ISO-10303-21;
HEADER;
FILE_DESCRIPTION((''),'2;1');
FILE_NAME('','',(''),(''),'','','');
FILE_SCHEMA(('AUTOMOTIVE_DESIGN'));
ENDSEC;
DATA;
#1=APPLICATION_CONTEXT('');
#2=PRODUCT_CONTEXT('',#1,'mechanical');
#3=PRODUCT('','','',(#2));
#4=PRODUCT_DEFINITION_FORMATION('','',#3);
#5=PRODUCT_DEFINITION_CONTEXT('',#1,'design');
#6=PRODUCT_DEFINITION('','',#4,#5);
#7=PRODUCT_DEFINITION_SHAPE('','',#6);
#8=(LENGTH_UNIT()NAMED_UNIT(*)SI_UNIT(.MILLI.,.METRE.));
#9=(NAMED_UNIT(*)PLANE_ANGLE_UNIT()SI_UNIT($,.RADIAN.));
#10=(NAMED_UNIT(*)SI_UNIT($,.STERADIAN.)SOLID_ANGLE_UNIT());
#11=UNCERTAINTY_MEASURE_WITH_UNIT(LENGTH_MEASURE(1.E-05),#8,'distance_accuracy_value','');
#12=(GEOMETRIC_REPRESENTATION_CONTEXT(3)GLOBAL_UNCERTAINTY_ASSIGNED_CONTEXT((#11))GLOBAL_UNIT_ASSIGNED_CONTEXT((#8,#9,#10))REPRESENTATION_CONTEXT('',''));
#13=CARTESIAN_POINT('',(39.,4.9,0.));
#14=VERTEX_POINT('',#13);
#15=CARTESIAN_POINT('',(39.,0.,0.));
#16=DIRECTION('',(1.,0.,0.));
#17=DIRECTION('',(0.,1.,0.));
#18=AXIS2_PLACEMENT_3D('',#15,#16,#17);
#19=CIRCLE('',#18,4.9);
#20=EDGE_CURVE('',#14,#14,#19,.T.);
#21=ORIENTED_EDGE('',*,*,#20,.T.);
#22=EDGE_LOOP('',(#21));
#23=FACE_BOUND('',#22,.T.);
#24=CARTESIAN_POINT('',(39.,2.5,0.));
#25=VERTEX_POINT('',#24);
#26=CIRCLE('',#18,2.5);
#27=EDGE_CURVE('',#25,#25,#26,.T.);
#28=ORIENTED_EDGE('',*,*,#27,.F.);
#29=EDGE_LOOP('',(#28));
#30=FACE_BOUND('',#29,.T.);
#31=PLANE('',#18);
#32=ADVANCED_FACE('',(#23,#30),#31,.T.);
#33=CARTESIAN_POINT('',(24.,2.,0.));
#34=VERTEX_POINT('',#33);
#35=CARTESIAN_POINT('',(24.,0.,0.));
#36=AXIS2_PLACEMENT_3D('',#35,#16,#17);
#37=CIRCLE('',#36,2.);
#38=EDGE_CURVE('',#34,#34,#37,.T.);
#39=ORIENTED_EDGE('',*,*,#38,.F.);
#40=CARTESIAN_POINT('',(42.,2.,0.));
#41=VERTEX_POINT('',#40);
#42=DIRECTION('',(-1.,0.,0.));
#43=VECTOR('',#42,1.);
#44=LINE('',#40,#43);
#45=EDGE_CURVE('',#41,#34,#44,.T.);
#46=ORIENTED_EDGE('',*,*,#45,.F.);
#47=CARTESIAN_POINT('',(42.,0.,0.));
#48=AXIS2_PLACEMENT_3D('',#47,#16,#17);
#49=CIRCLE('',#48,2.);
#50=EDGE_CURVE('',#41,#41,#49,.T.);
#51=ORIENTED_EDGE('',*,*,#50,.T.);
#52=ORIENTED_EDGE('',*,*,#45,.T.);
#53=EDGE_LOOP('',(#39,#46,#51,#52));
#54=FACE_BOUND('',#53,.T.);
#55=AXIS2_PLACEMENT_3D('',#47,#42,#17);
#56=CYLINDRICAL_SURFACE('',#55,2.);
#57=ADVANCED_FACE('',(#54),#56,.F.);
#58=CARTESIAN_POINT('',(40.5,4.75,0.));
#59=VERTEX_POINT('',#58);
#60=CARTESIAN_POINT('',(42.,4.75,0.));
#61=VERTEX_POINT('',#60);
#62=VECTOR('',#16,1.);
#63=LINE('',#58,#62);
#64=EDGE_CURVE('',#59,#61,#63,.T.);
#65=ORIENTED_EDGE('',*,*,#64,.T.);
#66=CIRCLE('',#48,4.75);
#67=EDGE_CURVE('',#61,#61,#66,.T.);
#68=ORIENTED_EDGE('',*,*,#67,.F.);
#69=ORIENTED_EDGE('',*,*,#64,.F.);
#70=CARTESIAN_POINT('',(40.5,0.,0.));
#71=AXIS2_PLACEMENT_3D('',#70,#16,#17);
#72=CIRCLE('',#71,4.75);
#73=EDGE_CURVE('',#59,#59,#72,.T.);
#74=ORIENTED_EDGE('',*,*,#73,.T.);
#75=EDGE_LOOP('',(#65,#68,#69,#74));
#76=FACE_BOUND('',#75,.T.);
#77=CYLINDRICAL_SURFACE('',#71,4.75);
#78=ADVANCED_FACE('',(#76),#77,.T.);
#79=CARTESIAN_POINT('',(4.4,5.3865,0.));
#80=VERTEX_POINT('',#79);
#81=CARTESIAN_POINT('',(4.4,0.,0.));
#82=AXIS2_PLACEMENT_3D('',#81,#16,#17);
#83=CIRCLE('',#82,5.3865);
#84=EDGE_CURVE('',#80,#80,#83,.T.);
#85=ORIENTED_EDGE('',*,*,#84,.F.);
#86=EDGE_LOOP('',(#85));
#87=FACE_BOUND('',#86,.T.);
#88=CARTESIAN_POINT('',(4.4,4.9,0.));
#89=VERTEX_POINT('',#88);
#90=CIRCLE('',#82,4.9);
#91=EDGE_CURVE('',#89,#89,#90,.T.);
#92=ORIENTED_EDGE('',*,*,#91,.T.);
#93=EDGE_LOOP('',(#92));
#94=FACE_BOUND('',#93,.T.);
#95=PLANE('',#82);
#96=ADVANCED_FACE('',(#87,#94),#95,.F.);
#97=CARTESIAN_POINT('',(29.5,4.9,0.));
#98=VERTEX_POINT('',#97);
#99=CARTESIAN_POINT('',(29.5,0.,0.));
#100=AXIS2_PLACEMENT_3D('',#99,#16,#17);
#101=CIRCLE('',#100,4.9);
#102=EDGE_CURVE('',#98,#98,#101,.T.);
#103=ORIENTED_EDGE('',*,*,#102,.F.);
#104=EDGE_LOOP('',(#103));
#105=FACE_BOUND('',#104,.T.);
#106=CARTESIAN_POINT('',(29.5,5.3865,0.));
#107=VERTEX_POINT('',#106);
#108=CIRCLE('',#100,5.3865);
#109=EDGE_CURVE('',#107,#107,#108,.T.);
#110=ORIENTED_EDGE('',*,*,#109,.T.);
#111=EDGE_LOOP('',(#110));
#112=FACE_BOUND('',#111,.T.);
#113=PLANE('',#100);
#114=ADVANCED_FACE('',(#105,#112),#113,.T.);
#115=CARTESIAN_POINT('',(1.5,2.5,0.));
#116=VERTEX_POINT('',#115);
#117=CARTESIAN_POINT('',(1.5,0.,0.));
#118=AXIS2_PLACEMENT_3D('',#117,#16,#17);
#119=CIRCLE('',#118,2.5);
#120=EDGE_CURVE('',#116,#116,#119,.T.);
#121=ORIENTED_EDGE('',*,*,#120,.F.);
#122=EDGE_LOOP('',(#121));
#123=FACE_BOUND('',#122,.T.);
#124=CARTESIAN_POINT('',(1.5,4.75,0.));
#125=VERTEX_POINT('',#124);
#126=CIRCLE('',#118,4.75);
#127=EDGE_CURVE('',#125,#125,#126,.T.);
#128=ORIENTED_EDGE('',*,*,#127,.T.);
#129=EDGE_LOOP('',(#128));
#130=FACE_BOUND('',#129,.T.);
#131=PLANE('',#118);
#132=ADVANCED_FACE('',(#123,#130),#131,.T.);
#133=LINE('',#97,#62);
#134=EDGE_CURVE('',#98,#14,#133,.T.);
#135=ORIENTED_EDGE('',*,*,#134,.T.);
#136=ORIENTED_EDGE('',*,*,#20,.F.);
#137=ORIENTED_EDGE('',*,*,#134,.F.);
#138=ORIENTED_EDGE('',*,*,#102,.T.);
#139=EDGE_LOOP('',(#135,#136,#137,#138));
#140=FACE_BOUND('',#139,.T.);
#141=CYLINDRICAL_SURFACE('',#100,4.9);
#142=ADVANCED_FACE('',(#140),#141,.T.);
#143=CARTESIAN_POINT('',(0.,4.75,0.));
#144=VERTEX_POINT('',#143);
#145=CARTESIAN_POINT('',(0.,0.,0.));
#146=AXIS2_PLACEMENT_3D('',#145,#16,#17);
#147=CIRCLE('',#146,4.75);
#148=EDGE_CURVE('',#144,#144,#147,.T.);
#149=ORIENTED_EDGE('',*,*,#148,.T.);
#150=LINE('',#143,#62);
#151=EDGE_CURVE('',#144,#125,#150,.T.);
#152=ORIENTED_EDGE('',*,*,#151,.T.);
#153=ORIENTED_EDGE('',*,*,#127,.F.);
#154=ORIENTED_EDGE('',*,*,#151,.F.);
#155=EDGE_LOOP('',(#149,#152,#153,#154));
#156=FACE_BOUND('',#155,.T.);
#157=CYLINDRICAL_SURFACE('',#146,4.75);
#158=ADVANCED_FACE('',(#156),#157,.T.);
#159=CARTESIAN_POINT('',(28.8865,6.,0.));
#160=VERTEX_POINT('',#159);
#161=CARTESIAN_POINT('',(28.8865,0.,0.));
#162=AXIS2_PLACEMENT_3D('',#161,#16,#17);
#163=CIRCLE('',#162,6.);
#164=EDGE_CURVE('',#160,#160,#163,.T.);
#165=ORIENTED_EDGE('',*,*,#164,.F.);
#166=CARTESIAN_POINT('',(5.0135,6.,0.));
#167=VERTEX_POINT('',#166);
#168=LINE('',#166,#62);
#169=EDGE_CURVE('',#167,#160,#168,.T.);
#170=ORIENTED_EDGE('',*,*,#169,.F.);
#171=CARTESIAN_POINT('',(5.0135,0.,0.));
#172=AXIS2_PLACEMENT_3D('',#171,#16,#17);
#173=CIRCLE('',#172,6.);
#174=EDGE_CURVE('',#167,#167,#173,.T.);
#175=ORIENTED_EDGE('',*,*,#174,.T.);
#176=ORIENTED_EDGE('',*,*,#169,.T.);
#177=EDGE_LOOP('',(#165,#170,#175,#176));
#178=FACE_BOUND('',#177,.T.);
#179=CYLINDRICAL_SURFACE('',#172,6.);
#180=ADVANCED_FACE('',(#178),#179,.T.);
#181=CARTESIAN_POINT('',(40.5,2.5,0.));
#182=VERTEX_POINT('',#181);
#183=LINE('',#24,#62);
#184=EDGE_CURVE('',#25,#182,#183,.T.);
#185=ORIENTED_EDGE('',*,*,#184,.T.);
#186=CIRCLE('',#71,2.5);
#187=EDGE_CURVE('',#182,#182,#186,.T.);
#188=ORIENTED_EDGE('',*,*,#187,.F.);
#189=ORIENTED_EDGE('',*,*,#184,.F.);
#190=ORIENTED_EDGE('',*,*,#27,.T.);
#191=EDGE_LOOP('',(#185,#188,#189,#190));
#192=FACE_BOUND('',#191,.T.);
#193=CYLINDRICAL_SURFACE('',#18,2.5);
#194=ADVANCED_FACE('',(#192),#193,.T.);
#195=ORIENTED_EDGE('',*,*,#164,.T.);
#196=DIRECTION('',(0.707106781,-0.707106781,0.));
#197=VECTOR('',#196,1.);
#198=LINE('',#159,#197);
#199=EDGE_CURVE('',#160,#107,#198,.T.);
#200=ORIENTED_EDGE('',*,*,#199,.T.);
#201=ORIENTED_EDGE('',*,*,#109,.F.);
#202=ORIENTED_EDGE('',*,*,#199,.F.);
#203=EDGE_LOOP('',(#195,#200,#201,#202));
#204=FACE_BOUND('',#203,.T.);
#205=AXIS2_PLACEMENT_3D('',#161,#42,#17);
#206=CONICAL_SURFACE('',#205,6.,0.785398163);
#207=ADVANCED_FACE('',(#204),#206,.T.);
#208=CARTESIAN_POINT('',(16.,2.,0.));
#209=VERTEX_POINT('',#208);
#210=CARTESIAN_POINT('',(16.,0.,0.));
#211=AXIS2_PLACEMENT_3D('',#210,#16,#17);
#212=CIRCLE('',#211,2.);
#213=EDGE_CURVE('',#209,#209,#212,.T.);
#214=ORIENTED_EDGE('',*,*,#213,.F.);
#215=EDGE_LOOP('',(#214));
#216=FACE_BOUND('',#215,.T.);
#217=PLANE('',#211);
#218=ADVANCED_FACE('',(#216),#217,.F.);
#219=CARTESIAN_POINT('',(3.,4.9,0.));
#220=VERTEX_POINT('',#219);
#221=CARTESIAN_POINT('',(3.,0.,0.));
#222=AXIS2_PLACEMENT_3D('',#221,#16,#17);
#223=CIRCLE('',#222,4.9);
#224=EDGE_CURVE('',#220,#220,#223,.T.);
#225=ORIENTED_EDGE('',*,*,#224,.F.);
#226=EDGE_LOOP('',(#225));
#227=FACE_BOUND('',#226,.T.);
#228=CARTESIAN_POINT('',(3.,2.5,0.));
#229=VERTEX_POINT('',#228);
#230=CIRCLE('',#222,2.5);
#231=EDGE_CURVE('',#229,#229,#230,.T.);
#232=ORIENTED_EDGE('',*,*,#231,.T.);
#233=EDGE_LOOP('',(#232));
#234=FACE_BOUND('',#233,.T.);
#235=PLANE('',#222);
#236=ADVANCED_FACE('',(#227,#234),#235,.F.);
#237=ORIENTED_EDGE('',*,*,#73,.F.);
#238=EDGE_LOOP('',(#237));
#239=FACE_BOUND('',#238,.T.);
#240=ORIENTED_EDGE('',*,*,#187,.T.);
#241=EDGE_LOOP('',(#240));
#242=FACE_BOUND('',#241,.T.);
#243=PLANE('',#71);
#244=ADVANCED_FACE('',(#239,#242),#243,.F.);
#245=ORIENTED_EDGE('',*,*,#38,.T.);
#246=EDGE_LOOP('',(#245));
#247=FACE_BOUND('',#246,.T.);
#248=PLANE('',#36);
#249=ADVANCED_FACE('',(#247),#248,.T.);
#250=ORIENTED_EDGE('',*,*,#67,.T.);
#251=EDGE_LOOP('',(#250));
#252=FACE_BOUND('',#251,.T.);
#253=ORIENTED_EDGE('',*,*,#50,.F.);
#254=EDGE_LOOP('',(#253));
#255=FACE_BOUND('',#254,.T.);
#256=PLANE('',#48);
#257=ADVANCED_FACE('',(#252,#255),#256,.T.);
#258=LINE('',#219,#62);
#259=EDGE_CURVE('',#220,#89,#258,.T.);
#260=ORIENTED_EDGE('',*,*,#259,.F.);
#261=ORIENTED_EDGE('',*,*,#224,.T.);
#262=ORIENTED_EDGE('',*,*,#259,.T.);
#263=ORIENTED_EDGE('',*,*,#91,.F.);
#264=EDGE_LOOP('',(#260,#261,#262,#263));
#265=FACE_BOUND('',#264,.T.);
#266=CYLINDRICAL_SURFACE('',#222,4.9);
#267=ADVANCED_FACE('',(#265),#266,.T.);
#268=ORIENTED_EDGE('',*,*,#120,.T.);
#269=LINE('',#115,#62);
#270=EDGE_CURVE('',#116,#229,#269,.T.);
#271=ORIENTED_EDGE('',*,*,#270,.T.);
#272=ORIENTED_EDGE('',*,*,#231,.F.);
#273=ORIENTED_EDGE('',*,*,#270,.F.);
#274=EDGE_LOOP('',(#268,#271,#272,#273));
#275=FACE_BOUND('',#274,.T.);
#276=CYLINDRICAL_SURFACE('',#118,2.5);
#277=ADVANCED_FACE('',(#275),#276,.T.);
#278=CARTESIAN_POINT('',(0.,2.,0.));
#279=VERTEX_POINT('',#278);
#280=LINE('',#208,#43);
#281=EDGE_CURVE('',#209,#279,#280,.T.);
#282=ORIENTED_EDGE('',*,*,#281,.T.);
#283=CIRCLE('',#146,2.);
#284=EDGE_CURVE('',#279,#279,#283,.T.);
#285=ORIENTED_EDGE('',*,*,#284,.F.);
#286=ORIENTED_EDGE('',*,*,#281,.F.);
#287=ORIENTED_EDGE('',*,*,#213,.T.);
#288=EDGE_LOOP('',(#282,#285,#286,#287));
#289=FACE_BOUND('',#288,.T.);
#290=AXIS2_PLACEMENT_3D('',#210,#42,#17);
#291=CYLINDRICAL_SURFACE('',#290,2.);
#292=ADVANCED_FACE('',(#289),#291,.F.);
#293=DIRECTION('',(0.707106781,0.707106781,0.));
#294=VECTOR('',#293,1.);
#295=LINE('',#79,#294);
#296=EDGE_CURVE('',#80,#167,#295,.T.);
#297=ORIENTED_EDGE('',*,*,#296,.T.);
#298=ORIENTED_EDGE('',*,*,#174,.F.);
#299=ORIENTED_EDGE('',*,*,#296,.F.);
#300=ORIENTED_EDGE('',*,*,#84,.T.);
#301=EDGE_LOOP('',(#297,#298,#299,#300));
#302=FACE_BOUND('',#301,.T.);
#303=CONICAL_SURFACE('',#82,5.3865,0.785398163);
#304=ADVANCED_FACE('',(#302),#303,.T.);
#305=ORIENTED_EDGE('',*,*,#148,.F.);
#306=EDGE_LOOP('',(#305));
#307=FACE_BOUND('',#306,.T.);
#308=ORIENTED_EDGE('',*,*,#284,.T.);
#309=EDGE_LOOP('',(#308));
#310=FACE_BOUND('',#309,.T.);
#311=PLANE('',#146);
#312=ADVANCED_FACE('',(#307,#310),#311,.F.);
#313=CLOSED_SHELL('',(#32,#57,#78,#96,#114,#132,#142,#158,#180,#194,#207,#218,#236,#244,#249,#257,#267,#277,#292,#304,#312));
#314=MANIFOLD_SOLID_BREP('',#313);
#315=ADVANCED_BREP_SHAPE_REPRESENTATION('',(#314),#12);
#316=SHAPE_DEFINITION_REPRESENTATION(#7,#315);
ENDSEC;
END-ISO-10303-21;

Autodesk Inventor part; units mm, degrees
sketch "Sketch_1" plane through (0, 0, 0) normal (0, 0, 1) x (1, 0, 0)
  line L0 (42, 0) -> (0, 0)
  line L1 (16, 0) -> (16, 2)
  line L2 (16, 2) -> (0, 2)
  line L3 (0, 2) -> (0, 4.75)
  line L4 (0, 4.75) -> (1.5, 4.75)
  line L5 (1.5, 4.75) -> (1.5, 2.5)
  line L6 (1.5, 2.5) -> (3, 2.5)
  line L7 (3, 2.5) -> (3, 4.9)
  line L8 (3, 4.9) -> (4.4, 4.9)
  line L9 (4.4, 4.9) -> (4.4, 5.3865)
  line L10 (4.4, 5.3865) -> (5.0135, 6)
  line L11 (5.0135, 6) -> (28.8865, 6)
  line L12 (28.8865, 6) -> (29.5, 5.3865)
  line L13 (29.5, 5.3865) -> (29.5, 4.9)
  line L14 (29.5, 4.9) -> (39, 4.9)
  line L15 (39, 4.9) -> (39, 2.5)
  line L16 (39, 2.5) -> (40.5, 2.5)
  line L17 (40.5, 2.5) -> (40.5, 4.75)
  line L18 (40.5, 4.75) -> (42, 4.75)
  line L19 (42, 4.75) -> (42, 2)
  line L20 (42, 2) -> (24, 2)
  line L21 (24, 2) -> (24, 0)
  line L22 (24, 0) -> (16, 0)
revolve "Revolution1" add sketch "Sketch_1" angle 360 about axis through (42, 0, 0) along (1, 0, 0)
thread "Thread1" size "M12x1" class "6g" standard "ISO Metric profile" full length
ref_plane "IP1_XY" through (0, 0, 0) normal (1, 0, 0) x (0, 0, -1)
ref_plane "IP1_YZ" through (0, 0, 0) normal (0, 0, -1) x (0, 1, 0)
ref_plane "IP1_ZX" through (0, 0, 0) normal (0, 1, 0) x (1, 0, 0)
ref_plane "IP2_XY" through (7.4, 0, 0) normal (-1, 0, 0) x (0, 0, -1)
ref_plane "IP2_YZ" through (7.4, 0, 0) normal (0, 0, -1) x (0, -1, 0)
ref_plane "IP2_ZX" through (7.4, 0, 0) normal (0, -1, 0) x (-1, 0, 0)
ref_plane "IP3_XY" through (17.4, 0, 0) normal (-1, 0, 0) x (0, 0, -1)
ref_plane "IP3_YZ" through (17.4, 0, 0) normal (0, 0, -1) x (0, -1, 0)
ref_plane "IP3_ZX" through (17.4, 0, 0) normal (0, -1, 0) x (-1, 0, 0)
properties part number "KCE04-00(5-3)_BU_BODY"
